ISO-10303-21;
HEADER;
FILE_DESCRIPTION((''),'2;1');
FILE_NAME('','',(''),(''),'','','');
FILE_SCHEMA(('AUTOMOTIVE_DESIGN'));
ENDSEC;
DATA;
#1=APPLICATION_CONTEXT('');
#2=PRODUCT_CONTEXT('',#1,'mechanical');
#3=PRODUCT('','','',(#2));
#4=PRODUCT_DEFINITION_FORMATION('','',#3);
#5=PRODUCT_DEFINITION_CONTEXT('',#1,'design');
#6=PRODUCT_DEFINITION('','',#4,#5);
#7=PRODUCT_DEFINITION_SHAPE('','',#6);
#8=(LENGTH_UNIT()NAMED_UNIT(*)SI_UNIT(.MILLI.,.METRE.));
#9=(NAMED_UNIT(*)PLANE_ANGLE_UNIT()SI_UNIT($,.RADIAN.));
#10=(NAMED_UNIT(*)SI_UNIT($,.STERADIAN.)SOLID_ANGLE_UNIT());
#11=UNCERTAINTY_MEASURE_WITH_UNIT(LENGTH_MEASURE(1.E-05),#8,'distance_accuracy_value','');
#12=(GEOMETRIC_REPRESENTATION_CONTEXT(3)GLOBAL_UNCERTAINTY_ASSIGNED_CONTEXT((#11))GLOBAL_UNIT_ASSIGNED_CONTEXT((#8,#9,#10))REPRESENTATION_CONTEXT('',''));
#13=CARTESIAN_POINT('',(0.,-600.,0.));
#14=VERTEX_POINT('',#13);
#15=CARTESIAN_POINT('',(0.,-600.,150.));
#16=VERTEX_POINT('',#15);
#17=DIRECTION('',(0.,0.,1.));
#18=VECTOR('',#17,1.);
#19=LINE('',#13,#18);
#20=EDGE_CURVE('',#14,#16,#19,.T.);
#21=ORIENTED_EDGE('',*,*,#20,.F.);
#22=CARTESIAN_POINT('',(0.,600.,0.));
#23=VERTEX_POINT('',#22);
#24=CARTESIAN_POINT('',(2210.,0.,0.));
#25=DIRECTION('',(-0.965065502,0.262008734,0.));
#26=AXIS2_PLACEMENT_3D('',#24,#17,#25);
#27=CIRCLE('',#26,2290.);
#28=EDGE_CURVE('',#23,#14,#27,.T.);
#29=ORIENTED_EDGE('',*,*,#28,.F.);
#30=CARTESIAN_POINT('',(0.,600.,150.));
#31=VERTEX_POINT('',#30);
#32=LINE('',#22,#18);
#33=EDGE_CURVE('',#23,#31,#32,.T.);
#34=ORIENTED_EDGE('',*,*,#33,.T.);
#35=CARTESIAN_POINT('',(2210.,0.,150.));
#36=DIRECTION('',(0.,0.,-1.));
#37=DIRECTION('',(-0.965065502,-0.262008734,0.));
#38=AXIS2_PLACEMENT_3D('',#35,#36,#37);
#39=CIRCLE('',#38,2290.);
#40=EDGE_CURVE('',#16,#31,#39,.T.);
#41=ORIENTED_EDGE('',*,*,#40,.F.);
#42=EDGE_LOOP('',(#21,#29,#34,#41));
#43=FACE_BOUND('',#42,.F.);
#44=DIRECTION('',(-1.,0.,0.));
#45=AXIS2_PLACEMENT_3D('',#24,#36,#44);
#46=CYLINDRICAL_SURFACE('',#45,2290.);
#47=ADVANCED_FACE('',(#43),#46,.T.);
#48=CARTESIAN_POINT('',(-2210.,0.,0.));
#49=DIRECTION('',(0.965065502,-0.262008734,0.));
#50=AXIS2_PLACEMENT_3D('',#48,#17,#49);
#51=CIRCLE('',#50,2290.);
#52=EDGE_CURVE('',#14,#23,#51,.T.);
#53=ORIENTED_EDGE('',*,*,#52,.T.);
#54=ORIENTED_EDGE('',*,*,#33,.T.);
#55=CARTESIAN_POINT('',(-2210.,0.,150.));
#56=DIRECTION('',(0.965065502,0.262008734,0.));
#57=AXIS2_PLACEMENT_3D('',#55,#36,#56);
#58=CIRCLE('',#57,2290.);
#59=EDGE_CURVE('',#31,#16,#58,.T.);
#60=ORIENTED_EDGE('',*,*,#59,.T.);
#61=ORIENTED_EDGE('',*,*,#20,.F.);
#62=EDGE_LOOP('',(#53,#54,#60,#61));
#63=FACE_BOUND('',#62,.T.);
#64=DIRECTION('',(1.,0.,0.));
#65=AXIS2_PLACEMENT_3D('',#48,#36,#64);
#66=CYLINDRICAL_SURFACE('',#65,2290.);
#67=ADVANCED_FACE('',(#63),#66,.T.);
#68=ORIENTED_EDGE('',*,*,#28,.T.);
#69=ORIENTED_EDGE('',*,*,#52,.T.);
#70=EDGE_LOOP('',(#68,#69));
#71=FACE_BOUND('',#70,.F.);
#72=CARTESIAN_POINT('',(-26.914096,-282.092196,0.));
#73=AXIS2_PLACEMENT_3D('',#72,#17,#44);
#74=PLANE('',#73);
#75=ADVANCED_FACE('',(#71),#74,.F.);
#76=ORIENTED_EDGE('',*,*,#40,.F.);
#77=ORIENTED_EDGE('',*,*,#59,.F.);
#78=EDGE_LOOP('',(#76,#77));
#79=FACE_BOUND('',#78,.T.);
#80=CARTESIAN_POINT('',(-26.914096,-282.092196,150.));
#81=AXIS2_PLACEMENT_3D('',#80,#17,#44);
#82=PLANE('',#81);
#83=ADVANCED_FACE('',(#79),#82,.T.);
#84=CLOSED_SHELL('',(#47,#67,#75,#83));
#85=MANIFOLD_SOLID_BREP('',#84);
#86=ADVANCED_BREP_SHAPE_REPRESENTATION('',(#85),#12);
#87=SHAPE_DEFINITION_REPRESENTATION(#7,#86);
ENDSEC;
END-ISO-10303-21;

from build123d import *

# Parameters (mm, degrees)
F1_DEPTH = 150


with BuildPart() as f1:
    # F0 (on Top) → F1 (new body)
    with BuildSketch(Plane.XY):
        with BuildLine():
            ThreePointArc((80, 0), (59.9118925632, 302.6549190084), (0, 600))
            Line((0, 600), (0, 0))
            Line((0, 0), (80, 0))
        make_face()
    extrude(amount=F1_DEPTH)

    # F2: F1 across face


with BuildPart() as f1_1:
    add(f1.part)
    add(f1.part.mirror(Plane(origin=(0, 300, 75), x_dir=(0, -1, 0), z_dir=(-1, 0, 0))))

    # F3: F1 across plane


with BuildPart() as f1_2:
    add(f1_1.part)
    add(f1_1.part.mirror(Plane.XZ))


solid = f1_2.part
